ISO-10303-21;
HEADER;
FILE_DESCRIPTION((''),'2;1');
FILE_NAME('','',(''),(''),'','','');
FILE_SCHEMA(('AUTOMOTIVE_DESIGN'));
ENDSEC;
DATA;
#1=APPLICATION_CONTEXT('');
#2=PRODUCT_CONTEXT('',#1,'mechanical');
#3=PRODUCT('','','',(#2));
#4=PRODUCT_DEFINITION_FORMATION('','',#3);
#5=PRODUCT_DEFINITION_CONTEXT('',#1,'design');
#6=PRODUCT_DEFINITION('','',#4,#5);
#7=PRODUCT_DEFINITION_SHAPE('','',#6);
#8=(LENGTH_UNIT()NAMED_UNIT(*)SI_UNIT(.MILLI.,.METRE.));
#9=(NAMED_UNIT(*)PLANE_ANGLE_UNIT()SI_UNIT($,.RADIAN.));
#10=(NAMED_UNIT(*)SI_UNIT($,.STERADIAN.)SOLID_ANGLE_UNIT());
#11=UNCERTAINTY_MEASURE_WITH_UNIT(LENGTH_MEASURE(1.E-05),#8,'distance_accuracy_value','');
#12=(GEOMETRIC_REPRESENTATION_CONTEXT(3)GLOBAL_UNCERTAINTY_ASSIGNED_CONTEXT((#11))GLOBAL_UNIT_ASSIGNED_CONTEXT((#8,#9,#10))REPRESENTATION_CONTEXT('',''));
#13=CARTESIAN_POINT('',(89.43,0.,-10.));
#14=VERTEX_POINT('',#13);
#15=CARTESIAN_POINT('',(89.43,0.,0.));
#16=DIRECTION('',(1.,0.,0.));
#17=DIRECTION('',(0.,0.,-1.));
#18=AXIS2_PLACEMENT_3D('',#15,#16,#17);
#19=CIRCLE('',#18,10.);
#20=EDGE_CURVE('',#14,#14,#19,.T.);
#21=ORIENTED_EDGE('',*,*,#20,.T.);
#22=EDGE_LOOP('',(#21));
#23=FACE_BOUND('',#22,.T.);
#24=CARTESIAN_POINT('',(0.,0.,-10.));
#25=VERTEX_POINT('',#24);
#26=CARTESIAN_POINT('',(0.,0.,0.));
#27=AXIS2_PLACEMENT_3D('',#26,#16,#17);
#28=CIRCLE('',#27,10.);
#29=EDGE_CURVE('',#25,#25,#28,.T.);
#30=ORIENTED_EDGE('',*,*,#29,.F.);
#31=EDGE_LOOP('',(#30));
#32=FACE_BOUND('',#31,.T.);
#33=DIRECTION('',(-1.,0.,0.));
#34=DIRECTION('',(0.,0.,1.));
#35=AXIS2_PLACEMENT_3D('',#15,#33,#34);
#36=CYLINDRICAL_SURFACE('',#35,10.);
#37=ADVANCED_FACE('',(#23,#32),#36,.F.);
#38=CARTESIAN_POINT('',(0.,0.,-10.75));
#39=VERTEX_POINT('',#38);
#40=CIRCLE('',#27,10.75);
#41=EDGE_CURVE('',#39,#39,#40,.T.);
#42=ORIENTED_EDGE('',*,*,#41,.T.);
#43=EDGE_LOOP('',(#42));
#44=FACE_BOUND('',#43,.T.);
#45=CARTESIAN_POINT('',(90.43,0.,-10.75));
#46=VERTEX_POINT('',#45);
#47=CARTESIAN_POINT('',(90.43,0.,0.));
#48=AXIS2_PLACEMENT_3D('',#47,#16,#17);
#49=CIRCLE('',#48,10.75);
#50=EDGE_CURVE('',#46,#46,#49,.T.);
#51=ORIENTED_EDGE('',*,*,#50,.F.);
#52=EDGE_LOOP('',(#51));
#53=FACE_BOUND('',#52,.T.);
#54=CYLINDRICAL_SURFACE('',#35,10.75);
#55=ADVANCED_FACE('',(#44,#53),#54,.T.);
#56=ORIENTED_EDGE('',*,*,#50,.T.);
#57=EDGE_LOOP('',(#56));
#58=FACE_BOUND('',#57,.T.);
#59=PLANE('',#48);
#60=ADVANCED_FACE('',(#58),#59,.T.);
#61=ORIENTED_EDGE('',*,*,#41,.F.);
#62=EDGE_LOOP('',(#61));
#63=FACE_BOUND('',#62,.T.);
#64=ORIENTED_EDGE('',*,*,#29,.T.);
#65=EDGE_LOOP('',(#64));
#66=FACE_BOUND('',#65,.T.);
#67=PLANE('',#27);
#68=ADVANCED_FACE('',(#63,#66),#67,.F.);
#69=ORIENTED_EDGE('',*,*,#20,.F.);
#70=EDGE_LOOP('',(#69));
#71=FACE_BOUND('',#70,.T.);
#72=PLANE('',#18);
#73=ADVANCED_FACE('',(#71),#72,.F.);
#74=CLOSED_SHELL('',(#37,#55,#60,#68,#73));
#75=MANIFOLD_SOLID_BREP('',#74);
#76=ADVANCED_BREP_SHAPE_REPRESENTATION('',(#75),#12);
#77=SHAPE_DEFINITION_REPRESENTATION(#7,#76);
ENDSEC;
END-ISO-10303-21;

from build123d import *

# Parameters (mm, degrees)
SKETCH1_R           = 10.75
SKETCH1_R_2         = 10
BOSS_EXTRUDE1_DEPTH = 89.43
SKETCH2_R           = 10.75
BOSS_EXTRUDE2_DEPTH = 1


with BuildPart() as part:
    # Sketch1 → Boss-Extrude1 (new body)
    with BuildSketch(Plane(origin=(0, 0, 0), x_dir=(0, 0, -1), z_dir=(1, 0, 0))):
        Circle(SKETCH1_R)
        Circle(SKETCH1_R_2, mode=Mode.SUBTRACT)
    extrude(amount=BOSS_EXTRUDE1_DEPTH)

    # Sketch2 → Boss-Extrude2 (add)
    with BuildSketch(Plane(origin=(89.43, 0, 0), x_dir=(0, 0, -1), z_dir=(1, 0, 0))):
        Circle(SKETCH2_R)
    extrude(amount=BOSS_EXTRUDE2_DEPTH)


solid = part.part
